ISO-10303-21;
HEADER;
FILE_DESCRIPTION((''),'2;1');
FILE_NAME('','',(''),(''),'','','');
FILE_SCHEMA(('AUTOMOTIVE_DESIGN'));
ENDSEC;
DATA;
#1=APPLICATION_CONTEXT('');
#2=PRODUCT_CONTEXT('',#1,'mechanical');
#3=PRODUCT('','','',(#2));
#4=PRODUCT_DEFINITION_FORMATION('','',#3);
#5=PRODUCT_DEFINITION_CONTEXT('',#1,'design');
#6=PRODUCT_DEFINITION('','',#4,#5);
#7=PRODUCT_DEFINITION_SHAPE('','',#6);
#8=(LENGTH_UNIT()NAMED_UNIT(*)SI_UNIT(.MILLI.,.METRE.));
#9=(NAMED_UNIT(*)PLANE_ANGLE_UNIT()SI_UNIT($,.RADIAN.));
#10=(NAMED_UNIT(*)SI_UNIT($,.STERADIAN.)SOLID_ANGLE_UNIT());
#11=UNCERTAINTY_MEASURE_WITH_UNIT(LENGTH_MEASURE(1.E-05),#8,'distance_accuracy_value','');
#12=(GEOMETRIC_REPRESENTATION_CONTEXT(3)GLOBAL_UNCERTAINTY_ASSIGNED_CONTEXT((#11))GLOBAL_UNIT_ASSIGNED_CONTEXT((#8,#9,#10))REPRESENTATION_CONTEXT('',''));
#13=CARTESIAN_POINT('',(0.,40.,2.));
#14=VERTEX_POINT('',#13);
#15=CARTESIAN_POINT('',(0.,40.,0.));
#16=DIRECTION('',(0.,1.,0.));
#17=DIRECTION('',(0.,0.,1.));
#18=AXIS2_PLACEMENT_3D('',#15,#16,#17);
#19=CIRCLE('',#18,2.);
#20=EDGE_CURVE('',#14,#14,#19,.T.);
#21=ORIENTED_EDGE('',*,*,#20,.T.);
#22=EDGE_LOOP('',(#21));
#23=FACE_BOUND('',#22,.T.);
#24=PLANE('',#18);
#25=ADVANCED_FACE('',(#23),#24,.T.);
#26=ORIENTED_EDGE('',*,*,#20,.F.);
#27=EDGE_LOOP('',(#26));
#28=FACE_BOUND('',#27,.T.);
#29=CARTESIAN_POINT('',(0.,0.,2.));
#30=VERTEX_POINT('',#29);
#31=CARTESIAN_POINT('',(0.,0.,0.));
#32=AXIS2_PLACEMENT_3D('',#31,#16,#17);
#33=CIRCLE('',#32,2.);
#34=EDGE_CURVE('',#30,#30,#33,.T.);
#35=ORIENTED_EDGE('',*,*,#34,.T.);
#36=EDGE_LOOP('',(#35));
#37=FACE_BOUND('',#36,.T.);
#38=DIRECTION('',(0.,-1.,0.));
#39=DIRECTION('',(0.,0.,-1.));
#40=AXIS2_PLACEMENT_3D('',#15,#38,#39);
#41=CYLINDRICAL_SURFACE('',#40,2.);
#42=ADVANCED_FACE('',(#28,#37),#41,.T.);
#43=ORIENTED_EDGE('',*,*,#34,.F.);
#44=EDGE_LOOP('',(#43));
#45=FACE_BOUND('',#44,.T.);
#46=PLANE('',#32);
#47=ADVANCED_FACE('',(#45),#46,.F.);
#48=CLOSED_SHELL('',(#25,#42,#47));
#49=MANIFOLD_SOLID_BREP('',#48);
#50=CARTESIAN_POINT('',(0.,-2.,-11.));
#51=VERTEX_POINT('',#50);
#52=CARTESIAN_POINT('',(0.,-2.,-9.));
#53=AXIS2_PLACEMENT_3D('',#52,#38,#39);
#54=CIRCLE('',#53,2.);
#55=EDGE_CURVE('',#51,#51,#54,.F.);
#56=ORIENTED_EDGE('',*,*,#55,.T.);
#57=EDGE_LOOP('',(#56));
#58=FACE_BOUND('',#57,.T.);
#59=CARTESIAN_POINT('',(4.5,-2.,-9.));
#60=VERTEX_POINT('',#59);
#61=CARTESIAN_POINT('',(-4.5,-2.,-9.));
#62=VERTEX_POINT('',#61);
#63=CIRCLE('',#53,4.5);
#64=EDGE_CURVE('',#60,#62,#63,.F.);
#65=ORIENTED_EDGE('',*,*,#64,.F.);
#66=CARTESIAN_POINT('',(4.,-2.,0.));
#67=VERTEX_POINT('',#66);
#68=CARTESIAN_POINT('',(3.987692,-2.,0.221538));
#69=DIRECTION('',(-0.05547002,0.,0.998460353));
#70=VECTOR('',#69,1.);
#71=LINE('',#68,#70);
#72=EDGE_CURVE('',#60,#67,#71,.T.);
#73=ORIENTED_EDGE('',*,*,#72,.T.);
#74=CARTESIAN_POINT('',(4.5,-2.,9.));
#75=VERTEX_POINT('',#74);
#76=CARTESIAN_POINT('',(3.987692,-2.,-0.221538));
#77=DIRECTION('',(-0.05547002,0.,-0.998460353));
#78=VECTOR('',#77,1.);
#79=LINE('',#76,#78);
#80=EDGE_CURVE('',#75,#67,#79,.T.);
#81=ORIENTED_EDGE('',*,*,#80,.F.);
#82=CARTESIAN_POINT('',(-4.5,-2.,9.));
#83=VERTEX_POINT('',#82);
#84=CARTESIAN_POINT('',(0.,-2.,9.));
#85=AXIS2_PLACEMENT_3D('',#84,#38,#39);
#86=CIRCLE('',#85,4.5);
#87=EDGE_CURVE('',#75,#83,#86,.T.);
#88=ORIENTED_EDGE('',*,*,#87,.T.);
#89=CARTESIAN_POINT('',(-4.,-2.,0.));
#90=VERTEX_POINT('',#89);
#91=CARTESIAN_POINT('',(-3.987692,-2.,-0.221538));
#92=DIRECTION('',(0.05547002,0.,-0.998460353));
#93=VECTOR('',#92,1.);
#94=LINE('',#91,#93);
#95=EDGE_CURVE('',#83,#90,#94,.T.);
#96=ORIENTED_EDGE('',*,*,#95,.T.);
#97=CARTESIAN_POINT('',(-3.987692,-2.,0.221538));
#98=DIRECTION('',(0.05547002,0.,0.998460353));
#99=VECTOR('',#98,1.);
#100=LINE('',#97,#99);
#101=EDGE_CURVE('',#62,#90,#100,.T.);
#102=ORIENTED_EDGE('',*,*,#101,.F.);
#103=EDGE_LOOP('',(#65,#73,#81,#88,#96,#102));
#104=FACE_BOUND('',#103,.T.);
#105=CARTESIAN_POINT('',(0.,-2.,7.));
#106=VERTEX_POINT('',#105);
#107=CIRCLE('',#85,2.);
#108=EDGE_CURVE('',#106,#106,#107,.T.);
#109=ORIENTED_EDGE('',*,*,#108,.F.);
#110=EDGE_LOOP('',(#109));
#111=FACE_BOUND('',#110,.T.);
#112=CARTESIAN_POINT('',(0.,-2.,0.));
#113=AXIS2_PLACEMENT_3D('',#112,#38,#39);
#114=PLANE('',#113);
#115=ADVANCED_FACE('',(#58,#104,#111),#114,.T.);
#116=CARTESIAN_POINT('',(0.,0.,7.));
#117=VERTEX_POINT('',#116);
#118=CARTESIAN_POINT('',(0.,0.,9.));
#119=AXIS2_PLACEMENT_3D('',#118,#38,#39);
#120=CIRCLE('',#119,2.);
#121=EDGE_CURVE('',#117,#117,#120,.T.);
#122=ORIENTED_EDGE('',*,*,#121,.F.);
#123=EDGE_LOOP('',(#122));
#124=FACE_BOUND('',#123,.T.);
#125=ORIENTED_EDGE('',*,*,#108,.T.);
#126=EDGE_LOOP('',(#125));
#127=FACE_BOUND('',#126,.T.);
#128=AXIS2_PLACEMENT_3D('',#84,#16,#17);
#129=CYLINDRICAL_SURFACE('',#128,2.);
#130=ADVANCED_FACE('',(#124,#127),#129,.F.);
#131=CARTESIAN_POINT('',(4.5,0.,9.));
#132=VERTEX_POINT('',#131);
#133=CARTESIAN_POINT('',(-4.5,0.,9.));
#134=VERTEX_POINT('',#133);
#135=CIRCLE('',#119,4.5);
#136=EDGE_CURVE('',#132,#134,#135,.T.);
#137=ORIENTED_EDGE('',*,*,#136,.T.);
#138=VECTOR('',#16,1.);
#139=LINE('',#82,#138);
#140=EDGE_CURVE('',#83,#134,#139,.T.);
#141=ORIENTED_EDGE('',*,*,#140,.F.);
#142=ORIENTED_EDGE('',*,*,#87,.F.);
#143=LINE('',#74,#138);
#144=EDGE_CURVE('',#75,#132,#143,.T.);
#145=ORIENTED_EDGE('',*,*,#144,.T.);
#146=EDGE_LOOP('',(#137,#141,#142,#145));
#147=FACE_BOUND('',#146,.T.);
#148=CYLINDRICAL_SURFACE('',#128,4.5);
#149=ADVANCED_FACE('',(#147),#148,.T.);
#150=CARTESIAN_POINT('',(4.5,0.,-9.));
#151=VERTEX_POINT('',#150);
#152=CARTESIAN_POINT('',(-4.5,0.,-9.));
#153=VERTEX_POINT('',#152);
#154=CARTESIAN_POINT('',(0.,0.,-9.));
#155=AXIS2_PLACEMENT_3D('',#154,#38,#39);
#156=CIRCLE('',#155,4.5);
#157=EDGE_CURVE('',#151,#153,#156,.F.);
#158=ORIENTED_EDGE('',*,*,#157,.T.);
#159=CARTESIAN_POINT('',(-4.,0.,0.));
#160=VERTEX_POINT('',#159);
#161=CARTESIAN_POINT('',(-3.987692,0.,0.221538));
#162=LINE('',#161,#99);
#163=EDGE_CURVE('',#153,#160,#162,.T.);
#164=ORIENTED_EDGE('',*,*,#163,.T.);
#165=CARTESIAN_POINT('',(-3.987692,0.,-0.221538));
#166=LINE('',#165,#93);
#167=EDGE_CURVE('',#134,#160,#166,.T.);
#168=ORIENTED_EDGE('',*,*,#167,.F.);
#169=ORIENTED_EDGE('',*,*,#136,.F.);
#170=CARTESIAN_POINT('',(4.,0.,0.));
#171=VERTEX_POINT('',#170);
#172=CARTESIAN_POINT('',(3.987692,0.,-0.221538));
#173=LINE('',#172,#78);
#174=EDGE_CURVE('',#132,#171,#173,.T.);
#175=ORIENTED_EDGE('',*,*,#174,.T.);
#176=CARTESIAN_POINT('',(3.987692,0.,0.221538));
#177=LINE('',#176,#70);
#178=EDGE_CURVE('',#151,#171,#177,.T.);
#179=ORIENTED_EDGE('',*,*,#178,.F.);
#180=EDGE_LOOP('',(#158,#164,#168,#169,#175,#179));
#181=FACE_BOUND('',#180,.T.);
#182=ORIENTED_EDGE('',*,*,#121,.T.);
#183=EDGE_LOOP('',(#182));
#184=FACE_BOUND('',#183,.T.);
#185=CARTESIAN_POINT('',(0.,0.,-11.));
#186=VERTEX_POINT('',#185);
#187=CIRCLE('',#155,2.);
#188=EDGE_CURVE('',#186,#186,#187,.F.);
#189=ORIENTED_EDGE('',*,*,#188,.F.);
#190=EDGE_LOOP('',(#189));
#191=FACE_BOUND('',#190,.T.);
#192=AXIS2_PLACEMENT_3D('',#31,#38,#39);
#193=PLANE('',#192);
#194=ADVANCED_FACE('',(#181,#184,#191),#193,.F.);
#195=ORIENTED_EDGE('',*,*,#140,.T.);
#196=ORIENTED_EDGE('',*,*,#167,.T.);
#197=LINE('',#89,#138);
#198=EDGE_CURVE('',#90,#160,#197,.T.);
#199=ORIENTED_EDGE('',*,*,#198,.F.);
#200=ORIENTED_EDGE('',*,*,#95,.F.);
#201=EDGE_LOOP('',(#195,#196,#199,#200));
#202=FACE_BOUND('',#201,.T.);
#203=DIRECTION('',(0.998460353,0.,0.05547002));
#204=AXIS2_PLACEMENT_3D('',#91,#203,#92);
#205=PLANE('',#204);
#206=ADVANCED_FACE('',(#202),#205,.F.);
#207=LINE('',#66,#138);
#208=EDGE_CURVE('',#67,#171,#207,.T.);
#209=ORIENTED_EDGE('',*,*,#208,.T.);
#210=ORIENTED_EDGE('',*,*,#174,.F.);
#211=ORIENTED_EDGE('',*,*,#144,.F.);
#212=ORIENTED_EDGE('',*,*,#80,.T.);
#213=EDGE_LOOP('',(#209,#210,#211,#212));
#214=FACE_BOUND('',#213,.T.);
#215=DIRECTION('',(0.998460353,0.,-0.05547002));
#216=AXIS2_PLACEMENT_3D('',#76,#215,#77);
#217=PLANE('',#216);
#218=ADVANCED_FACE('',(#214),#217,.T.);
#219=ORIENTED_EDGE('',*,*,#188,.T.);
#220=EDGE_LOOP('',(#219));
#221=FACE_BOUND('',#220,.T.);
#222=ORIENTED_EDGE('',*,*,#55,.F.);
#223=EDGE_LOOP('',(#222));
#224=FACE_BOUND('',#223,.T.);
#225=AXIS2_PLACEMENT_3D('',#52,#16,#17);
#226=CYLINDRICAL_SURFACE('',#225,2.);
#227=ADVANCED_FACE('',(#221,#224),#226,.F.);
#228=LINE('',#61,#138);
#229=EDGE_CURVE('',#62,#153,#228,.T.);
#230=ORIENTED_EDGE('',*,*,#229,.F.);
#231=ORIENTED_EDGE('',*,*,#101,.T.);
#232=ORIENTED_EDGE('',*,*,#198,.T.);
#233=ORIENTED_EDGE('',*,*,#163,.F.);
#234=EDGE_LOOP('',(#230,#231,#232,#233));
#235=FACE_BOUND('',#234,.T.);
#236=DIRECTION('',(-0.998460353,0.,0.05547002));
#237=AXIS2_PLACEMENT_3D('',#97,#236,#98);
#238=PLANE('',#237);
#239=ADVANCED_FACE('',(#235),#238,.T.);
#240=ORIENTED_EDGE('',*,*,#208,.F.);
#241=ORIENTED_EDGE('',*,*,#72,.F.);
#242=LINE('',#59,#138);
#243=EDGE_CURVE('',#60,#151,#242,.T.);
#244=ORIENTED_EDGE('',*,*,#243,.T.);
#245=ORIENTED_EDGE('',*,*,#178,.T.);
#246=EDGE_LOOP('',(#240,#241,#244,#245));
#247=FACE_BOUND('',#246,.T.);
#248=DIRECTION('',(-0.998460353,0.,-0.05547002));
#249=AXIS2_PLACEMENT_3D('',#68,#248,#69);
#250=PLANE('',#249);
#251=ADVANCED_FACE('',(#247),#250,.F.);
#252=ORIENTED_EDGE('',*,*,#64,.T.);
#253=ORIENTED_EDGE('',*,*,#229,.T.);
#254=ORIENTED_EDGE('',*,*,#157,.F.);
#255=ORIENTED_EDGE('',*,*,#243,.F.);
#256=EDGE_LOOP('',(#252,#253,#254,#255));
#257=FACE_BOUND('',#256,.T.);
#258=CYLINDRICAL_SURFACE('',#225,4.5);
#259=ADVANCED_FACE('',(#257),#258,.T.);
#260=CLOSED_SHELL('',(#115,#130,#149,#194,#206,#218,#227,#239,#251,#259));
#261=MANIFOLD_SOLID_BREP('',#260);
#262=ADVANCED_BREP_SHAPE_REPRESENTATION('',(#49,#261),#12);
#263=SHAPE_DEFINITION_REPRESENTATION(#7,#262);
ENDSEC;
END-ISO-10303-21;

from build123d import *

# Parameters (mm, degrees)
SKETCH1_R           = 2
BOSS_EXTRUDE1_DEPTH = 40
SKETCH2_R           = 2
BOSS_EXTRUDE2_DEPTH = 2


with BuildPart() as part:
    # Sketch1 → Boss-Extrude1 (new body)
    with BuildSketch(Plane(origin=(0, 0, 0), x_dir=(1, 0, 0), z_dir=(0, 1, 0))):
        with Locations(Location((0, 0, 0), (0, 0, 270))):
            Circle(SKETCH1_R)
    extrude(amount=BOSS_EXTRUDE1_DEPTH)


with BuildPart() as body_2:
    # Sketch2 → Boss-Extrude2 (new body)
    with BuildSketch(Plane.XZ):
        with BuildLine():
            ThreePointArc((4.5, 9), (0, 13.5), (-4.5, 9))
            Line((-4.5, 9), (-4, 0))
            Line((-4, 0), (-4.5, -9))
            ThreePointArc((-4.5, -9), (0, -13.5), (4.5, -9))
            Line((4.5, -9), (4, 0))
            Line((4, 0), (4.5, 9))
        make_face()
        with Locations(Location((0, 9, 0), (0, 0, 270))):
            Circle(SKETCH2_R, mode=Mode.SUBTRACT)
        with Locations(Location((0, -9, 0), (0, 0, 270))):
            Circle(SKETCH2_R, mode=Mode.SUBTRACT)
    extrude(amount=BOSS_EXTRUDE2_DEPTH)


solid = Compound([part.part, body_2.part])
